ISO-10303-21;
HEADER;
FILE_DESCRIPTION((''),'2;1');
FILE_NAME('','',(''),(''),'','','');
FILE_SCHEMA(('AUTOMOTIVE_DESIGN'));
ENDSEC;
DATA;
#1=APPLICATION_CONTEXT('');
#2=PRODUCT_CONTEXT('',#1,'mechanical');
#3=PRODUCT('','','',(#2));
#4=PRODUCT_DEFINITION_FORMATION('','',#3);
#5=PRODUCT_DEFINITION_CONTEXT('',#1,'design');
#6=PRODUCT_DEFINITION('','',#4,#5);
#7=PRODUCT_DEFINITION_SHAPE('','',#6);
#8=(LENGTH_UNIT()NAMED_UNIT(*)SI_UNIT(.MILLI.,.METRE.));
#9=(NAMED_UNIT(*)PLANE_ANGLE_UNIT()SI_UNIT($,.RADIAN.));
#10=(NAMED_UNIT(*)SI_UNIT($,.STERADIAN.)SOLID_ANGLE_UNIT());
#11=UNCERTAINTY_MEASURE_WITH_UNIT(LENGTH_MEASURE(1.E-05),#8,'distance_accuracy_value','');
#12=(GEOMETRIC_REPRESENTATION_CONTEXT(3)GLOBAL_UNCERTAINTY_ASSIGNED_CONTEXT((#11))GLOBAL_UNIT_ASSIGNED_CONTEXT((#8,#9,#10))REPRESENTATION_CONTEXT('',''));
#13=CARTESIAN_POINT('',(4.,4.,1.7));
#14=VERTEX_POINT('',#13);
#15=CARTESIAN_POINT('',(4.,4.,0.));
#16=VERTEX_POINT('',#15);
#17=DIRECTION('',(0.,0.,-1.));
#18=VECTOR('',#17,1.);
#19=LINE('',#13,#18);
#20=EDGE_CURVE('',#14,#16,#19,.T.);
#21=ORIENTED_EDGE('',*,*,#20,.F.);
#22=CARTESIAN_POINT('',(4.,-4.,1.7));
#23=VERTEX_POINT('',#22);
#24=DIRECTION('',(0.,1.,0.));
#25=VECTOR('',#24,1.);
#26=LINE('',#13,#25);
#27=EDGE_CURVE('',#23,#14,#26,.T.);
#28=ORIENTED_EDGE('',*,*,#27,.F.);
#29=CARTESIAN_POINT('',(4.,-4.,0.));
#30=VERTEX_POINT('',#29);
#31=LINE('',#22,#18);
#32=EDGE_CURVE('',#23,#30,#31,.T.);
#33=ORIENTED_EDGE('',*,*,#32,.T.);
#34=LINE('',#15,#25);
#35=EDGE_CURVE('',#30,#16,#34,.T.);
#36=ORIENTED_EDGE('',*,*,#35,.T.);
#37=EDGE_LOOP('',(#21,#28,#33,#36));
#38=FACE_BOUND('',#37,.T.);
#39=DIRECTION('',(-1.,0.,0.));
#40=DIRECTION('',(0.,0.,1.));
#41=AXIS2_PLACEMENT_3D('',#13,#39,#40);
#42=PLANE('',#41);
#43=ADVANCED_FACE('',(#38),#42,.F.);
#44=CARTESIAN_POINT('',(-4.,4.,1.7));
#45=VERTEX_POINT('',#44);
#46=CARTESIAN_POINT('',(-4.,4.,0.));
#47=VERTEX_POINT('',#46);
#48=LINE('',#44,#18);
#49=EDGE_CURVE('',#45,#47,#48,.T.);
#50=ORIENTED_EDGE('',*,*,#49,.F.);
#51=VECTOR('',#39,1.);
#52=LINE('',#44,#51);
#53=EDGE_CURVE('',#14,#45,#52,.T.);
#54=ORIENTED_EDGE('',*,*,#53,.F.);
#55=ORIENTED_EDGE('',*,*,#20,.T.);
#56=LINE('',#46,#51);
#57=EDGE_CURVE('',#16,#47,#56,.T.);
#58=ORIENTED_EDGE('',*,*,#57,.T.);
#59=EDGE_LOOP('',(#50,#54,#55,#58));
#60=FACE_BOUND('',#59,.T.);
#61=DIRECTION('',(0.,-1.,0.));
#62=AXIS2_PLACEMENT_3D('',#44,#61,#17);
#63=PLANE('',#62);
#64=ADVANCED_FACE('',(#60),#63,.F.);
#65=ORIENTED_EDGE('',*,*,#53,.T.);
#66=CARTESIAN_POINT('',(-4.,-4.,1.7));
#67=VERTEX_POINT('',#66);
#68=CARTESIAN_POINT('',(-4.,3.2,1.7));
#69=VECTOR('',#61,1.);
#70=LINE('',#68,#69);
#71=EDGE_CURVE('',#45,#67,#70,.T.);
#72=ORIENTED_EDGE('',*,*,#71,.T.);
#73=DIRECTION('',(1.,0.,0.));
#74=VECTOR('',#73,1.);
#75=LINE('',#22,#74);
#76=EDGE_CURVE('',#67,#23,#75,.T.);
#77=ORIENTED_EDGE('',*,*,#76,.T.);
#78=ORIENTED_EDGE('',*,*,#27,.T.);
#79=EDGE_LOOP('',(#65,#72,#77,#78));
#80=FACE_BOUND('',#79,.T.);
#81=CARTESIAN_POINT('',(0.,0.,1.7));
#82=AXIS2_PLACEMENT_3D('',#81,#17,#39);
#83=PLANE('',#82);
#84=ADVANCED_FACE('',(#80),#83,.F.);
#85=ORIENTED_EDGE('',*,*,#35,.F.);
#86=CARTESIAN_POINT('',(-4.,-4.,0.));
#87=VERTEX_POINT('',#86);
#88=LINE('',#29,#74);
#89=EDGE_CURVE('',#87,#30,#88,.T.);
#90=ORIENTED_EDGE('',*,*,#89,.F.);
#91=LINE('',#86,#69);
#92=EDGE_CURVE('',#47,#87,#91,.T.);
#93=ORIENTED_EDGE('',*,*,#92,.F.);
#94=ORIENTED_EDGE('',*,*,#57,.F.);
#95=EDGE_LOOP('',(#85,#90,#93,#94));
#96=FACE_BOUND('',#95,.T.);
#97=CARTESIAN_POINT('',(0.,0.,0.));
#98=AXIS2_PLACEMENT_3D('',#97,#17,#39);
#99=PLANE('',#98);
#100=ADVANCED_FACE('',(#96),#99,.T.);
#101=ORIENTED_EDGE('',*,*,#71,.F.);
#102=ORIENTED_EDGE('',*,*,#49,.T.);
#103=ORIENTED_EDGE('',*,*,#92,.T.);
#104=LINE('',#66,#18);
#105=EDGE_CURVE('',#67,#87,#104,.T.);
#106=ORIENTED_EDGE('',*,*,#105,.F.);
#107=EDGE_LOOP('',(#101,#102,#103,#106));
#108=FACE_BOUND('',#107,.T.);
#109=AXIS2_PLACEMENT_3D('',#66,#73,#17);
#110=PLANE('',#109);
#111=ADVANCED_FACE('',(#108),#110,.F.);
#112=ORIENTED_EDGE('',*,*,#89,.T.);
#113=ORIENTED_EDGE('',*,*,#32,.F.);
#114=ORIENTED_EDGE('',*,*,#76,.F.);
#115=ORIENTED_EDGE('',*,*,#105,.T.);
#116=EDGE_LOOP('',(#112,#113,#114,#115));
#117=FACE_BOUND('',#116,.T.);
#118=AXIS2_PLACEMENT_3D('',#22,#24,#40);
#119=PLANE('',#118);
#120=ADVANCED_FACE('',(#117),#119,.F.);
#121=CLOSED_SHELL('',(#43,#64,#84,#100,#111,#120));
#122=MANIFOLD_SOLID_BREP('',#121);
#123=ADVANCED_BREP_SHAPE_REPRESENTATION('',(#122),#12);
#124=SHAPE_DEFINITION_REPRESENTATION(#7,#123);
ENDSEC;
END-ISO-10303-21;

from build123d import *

# Parameters (mm, degrees)
COMPONENT_OUTLINE_DEPTH = 1.7


with BuildPart() as part:
    # 草图1 → Component_Outline (new body)
    with BuildSketch(Plane.XY):
        Polygon((-4, 4), (4, 4), (4, -4), (-4, -4), (-4, 3.2), align=None)
    extrude(amount=COMPONENT_OUTLINE_DEPTH)


solid = part.part
